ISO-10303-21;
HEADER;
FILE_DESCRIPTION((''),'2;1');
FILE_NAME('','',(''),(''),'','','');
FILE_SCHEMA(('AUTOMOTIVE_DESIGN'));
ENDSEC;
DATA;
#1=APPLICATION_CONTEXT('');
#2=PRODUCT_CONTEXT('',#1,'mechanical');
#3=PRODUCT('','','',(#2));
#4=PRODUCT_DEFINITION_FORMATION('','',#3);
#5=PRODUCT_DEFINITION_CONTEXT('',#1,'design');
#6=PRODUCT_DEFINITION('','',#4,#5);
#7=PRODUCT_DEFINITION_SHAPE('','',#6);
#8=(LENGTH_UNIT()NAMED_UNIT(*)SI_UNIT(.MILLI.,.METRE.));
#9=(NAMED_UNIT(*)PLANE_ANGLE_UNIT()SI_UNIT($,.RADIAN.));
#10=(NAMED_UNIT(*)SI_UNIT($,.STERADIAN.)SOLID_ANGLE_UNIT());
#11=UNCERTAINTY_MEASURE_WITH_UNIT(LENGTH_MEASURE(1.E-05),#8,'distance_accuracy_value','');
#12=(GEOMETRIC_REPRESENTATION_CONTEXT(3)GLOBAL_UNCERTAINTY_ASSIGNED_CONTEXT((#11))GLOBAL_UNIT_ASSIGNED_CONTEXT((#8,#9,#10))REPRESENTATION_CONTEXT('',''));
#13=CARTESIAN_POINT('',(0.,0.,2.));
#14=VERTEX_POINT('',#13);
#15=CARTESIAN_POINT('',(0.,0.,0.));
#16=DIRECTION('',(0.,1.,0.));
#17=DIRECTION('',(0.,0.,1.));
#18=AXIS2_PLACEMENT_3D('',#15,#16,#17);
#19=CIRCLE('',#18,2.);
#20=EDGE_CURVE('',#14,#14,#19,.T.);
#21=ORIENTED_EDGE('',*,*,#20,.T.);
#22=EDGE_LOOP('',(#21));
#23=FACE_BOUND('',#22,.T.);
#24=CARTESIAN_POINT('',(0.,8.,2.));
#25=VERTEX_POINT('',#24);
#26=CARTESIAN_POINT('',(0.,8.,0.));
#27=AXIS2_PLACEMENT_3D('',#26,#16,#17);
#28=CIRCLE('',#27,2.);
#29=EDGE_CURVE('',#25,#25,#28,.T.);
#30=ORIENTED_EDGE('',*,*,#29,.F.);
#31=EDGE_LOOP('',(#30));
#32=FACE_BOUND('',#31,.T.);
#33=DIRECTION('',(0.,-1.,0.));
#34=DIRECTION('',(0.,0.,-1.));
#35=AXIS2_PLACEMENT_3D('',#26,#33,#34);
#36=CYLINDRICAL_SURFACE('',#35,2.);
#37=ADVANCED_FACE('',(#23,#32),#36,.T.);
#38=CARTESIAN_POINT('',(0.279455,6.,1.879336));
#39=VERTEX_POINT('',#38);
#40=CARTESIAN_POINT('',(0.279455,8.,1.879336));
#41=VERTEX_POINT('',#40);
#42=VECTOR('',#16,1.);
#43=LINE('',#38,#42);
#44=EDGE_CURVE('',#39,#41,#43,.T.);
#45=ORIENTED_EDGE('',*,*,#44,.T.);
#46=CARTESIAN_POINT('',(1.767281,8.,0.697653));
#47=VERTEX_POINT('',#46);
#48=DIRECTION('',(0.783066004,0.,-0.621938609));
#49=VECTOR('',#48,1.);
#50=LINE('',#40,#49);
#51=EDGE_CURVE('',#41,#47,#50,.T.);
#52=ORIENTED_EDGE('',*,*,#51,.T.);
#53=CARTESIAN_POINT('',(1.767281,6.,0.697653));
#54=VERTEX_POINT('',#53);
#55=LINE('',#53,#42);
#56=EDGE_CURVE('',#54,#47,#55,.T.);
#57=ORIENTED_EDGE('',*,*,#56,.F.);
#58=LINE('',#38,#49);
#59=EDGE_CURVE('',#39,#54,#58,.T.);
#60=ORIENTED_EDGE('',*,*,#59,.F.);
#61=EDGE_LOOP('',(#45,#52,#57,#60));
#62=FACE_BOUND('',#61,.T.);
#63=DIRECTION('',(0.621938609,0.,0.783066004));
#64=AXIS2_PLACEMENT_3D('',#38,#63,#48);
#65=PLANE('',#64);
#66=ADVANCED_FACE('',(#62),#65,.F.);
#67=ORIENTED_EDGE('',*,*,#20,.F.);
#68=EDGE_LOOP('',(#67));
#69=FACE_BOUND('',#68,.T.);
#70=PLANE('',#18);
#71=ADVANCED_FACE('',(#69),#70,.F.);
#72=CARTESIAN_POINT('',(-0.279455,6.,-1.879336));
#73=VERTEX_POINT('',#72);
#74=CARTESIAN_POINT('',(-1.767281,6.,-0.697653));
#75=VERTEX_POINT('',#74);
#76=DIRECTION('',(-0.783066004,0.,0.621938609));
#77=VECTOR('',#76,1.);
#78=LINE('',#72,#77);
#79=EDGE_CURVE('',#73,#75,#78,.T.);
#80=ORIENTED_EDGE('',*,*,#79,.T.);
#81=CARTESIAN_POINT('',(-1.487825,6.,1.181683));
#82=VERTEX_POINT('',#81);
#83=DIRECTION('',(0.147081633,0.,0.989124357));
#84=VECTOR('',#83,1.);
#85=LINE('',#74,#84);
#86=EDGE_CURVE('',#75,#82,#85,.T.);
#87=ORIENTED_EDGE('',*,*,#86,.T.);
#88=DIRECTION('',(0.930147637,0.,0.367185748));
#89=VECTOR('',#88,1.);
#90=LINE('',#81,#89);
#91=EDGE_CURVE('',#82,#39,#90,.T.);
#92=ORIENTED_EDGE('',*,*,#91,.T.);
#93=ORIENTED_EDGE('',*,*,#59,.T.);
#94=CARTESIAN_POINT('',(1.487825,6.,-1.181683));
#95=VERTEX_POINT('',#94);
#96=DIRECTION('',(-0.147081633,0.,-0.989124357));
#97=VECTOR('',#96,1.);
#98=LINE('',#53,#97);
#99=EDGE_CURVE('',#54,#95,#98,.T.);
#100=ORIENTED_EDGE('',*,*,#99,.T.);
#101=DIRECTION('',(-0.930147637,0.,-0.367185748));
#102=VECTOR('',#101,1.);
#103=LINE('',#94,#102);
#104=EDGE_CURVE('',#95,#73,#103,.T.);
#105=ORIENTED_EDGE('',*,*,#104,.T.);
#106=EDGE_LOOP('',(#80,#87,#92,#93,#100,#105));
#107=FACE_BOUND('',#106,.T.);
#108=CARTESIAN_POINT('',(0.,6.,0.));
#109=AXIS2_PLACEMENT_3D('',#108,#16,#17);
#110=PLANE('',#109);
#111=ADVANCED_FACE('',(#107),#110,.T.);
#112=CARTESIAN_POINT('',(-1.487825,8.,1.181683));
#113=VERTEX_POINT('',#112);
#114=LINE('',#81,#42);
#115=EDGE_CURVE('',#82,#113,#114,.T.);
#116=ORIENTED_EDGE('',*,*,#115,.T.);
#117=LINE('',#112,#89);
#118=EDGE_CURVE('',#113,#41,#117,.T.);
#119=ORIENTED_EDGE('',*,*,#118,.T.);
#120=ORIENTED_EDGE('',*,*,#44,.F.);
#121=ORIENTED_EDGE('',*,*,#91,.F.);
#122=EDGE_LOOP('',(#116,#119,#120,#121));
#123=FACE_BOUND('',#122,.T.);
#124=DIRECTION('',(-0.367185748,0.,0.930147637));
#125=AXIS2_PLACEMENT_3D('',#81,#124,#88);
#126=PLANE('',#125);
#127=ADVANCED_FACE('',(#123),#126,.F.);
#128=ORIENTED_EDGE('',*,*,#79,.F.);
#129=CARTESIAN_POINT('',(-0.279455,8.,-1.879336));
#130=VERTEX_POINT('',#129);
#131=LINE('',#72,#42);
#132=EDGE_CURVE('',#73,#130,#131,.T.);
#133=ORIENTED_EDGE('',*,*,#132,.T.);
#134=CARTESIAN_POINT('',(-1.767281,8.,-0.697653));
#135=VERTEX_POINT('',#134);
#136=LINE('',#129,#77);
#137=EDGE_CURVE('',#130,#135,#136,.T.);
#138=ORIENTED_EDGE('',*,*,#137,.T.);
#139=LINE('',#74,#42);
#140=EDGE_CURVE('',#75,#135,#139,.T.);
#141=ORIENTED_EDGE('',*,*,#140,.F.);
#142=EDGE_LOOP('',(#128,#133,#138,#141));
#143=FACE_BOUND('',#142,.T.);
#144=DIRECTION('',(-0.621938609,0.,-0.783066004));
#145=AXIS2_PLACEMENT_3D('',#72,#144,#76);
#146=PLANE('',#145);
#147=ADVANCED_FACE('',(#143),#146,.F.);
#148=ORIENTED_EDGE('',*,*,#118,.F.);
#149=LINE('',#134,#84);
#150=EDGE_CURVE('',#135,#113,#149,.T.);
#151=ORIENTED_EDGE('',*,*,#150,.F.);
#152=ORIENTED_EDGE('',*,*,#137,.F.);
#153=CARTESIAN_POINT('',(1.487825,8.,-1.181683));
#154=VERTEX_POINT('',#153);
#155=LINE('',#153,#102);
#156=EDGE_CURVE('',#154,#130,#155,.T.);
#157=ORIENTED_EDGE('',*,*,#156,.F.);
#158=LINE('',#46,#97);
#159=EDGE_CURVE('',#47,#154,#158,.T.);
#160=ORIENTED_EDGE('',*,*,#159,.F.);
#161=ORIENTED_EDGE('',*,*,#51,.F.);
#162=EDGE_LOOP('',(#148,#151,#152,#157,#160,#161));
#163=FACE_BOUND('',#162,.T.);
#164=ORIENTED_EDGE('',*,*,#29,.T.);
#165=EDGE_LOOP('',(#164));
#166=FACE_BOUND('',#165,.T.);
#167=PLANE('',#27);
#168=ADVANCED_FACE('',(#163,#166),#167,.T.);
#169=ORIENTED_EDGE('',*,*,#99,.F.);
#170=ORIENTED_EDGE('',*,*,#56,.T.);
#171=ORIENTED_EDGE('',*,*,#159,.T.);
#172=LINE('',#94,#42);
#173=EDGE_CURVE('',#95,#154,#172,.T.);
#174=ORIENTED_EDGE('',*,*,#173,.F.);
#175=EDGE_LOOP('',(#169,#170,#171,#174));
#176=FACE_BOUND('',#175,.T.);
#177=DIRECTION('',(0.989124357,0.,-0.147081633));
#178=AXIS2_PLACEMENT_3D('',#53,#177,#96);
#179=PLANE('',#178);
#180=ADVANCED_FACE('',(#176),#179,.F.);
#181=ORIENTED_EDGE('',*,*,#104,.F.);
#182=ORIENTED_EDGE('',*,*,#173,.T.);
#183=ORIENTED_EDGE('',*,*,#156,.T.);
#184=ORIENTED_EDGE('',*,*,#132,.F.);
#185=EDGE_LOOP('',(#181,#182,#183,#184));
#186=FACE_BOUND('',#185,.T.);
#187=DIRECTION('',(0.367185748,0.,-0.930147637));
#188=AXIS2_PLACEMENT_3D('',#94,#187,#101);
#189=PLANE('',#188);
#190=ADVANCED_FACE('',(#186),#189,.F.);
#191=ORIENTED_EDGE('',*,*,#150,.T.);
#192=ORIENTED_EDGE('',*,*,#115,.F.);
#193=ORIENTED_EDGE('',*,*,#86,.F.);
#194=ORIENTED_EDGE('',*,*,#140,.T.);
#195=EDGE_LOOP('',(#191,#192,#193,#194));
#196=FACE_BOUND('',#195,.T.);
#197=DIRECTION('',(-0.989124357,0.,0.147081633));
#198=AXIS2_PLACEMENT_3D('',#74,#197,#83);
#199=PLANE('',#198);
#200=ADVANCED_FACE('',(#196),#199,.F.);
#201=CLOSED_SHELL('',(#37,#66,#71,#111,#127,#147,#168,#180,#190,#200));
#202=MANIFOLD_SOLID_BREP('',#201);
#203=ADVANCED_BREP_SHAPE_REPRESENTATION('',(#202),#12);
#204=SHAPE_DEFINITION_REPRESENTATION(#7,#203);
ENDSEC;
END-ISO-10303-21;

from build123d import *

# Parameters (mm, degrees)
SKETCH1_R           = 2
BOSS_EXTRUDE1_DEPTH = 8
CUT_EXTRUDE4_DEPTH  = 2


with BuildPart() as part:
    # Sketch1 → Boss-Extrude1 (new body)
    with BuildSketch(Plane(origin=(0, 0, 0), x_dir=(1, 0, 0), z_dir=(0, 1, 0))):
        with Locations(Location((0, 0, 0), (0, 0, 270))):
            Circle(SKETCH1_R)
    extrude(amount=BOSS_EXTRUDE1_DEPTH)

    # Sketch2 → Cut-Extrude4 (cut)
    with BuildSketch(Plane(origin=(0, 8, 0), x_dir=(1, 0, 0), z_dir=(0, 1, 0))):
        Polygon((-1.487825408, -1.181683357), (0.279455103, -1.879336278), (1.76728051, -0.697652921), (1.487825408, 1.181683357), (-0.279455103, 1.879336278), (-1.76728051, 0.697652921), align=None)
    extrude(amount=-CUT_EXTRUDE4_DEPTH, mode=Mode.SUBTRACT)


solid = part.part
